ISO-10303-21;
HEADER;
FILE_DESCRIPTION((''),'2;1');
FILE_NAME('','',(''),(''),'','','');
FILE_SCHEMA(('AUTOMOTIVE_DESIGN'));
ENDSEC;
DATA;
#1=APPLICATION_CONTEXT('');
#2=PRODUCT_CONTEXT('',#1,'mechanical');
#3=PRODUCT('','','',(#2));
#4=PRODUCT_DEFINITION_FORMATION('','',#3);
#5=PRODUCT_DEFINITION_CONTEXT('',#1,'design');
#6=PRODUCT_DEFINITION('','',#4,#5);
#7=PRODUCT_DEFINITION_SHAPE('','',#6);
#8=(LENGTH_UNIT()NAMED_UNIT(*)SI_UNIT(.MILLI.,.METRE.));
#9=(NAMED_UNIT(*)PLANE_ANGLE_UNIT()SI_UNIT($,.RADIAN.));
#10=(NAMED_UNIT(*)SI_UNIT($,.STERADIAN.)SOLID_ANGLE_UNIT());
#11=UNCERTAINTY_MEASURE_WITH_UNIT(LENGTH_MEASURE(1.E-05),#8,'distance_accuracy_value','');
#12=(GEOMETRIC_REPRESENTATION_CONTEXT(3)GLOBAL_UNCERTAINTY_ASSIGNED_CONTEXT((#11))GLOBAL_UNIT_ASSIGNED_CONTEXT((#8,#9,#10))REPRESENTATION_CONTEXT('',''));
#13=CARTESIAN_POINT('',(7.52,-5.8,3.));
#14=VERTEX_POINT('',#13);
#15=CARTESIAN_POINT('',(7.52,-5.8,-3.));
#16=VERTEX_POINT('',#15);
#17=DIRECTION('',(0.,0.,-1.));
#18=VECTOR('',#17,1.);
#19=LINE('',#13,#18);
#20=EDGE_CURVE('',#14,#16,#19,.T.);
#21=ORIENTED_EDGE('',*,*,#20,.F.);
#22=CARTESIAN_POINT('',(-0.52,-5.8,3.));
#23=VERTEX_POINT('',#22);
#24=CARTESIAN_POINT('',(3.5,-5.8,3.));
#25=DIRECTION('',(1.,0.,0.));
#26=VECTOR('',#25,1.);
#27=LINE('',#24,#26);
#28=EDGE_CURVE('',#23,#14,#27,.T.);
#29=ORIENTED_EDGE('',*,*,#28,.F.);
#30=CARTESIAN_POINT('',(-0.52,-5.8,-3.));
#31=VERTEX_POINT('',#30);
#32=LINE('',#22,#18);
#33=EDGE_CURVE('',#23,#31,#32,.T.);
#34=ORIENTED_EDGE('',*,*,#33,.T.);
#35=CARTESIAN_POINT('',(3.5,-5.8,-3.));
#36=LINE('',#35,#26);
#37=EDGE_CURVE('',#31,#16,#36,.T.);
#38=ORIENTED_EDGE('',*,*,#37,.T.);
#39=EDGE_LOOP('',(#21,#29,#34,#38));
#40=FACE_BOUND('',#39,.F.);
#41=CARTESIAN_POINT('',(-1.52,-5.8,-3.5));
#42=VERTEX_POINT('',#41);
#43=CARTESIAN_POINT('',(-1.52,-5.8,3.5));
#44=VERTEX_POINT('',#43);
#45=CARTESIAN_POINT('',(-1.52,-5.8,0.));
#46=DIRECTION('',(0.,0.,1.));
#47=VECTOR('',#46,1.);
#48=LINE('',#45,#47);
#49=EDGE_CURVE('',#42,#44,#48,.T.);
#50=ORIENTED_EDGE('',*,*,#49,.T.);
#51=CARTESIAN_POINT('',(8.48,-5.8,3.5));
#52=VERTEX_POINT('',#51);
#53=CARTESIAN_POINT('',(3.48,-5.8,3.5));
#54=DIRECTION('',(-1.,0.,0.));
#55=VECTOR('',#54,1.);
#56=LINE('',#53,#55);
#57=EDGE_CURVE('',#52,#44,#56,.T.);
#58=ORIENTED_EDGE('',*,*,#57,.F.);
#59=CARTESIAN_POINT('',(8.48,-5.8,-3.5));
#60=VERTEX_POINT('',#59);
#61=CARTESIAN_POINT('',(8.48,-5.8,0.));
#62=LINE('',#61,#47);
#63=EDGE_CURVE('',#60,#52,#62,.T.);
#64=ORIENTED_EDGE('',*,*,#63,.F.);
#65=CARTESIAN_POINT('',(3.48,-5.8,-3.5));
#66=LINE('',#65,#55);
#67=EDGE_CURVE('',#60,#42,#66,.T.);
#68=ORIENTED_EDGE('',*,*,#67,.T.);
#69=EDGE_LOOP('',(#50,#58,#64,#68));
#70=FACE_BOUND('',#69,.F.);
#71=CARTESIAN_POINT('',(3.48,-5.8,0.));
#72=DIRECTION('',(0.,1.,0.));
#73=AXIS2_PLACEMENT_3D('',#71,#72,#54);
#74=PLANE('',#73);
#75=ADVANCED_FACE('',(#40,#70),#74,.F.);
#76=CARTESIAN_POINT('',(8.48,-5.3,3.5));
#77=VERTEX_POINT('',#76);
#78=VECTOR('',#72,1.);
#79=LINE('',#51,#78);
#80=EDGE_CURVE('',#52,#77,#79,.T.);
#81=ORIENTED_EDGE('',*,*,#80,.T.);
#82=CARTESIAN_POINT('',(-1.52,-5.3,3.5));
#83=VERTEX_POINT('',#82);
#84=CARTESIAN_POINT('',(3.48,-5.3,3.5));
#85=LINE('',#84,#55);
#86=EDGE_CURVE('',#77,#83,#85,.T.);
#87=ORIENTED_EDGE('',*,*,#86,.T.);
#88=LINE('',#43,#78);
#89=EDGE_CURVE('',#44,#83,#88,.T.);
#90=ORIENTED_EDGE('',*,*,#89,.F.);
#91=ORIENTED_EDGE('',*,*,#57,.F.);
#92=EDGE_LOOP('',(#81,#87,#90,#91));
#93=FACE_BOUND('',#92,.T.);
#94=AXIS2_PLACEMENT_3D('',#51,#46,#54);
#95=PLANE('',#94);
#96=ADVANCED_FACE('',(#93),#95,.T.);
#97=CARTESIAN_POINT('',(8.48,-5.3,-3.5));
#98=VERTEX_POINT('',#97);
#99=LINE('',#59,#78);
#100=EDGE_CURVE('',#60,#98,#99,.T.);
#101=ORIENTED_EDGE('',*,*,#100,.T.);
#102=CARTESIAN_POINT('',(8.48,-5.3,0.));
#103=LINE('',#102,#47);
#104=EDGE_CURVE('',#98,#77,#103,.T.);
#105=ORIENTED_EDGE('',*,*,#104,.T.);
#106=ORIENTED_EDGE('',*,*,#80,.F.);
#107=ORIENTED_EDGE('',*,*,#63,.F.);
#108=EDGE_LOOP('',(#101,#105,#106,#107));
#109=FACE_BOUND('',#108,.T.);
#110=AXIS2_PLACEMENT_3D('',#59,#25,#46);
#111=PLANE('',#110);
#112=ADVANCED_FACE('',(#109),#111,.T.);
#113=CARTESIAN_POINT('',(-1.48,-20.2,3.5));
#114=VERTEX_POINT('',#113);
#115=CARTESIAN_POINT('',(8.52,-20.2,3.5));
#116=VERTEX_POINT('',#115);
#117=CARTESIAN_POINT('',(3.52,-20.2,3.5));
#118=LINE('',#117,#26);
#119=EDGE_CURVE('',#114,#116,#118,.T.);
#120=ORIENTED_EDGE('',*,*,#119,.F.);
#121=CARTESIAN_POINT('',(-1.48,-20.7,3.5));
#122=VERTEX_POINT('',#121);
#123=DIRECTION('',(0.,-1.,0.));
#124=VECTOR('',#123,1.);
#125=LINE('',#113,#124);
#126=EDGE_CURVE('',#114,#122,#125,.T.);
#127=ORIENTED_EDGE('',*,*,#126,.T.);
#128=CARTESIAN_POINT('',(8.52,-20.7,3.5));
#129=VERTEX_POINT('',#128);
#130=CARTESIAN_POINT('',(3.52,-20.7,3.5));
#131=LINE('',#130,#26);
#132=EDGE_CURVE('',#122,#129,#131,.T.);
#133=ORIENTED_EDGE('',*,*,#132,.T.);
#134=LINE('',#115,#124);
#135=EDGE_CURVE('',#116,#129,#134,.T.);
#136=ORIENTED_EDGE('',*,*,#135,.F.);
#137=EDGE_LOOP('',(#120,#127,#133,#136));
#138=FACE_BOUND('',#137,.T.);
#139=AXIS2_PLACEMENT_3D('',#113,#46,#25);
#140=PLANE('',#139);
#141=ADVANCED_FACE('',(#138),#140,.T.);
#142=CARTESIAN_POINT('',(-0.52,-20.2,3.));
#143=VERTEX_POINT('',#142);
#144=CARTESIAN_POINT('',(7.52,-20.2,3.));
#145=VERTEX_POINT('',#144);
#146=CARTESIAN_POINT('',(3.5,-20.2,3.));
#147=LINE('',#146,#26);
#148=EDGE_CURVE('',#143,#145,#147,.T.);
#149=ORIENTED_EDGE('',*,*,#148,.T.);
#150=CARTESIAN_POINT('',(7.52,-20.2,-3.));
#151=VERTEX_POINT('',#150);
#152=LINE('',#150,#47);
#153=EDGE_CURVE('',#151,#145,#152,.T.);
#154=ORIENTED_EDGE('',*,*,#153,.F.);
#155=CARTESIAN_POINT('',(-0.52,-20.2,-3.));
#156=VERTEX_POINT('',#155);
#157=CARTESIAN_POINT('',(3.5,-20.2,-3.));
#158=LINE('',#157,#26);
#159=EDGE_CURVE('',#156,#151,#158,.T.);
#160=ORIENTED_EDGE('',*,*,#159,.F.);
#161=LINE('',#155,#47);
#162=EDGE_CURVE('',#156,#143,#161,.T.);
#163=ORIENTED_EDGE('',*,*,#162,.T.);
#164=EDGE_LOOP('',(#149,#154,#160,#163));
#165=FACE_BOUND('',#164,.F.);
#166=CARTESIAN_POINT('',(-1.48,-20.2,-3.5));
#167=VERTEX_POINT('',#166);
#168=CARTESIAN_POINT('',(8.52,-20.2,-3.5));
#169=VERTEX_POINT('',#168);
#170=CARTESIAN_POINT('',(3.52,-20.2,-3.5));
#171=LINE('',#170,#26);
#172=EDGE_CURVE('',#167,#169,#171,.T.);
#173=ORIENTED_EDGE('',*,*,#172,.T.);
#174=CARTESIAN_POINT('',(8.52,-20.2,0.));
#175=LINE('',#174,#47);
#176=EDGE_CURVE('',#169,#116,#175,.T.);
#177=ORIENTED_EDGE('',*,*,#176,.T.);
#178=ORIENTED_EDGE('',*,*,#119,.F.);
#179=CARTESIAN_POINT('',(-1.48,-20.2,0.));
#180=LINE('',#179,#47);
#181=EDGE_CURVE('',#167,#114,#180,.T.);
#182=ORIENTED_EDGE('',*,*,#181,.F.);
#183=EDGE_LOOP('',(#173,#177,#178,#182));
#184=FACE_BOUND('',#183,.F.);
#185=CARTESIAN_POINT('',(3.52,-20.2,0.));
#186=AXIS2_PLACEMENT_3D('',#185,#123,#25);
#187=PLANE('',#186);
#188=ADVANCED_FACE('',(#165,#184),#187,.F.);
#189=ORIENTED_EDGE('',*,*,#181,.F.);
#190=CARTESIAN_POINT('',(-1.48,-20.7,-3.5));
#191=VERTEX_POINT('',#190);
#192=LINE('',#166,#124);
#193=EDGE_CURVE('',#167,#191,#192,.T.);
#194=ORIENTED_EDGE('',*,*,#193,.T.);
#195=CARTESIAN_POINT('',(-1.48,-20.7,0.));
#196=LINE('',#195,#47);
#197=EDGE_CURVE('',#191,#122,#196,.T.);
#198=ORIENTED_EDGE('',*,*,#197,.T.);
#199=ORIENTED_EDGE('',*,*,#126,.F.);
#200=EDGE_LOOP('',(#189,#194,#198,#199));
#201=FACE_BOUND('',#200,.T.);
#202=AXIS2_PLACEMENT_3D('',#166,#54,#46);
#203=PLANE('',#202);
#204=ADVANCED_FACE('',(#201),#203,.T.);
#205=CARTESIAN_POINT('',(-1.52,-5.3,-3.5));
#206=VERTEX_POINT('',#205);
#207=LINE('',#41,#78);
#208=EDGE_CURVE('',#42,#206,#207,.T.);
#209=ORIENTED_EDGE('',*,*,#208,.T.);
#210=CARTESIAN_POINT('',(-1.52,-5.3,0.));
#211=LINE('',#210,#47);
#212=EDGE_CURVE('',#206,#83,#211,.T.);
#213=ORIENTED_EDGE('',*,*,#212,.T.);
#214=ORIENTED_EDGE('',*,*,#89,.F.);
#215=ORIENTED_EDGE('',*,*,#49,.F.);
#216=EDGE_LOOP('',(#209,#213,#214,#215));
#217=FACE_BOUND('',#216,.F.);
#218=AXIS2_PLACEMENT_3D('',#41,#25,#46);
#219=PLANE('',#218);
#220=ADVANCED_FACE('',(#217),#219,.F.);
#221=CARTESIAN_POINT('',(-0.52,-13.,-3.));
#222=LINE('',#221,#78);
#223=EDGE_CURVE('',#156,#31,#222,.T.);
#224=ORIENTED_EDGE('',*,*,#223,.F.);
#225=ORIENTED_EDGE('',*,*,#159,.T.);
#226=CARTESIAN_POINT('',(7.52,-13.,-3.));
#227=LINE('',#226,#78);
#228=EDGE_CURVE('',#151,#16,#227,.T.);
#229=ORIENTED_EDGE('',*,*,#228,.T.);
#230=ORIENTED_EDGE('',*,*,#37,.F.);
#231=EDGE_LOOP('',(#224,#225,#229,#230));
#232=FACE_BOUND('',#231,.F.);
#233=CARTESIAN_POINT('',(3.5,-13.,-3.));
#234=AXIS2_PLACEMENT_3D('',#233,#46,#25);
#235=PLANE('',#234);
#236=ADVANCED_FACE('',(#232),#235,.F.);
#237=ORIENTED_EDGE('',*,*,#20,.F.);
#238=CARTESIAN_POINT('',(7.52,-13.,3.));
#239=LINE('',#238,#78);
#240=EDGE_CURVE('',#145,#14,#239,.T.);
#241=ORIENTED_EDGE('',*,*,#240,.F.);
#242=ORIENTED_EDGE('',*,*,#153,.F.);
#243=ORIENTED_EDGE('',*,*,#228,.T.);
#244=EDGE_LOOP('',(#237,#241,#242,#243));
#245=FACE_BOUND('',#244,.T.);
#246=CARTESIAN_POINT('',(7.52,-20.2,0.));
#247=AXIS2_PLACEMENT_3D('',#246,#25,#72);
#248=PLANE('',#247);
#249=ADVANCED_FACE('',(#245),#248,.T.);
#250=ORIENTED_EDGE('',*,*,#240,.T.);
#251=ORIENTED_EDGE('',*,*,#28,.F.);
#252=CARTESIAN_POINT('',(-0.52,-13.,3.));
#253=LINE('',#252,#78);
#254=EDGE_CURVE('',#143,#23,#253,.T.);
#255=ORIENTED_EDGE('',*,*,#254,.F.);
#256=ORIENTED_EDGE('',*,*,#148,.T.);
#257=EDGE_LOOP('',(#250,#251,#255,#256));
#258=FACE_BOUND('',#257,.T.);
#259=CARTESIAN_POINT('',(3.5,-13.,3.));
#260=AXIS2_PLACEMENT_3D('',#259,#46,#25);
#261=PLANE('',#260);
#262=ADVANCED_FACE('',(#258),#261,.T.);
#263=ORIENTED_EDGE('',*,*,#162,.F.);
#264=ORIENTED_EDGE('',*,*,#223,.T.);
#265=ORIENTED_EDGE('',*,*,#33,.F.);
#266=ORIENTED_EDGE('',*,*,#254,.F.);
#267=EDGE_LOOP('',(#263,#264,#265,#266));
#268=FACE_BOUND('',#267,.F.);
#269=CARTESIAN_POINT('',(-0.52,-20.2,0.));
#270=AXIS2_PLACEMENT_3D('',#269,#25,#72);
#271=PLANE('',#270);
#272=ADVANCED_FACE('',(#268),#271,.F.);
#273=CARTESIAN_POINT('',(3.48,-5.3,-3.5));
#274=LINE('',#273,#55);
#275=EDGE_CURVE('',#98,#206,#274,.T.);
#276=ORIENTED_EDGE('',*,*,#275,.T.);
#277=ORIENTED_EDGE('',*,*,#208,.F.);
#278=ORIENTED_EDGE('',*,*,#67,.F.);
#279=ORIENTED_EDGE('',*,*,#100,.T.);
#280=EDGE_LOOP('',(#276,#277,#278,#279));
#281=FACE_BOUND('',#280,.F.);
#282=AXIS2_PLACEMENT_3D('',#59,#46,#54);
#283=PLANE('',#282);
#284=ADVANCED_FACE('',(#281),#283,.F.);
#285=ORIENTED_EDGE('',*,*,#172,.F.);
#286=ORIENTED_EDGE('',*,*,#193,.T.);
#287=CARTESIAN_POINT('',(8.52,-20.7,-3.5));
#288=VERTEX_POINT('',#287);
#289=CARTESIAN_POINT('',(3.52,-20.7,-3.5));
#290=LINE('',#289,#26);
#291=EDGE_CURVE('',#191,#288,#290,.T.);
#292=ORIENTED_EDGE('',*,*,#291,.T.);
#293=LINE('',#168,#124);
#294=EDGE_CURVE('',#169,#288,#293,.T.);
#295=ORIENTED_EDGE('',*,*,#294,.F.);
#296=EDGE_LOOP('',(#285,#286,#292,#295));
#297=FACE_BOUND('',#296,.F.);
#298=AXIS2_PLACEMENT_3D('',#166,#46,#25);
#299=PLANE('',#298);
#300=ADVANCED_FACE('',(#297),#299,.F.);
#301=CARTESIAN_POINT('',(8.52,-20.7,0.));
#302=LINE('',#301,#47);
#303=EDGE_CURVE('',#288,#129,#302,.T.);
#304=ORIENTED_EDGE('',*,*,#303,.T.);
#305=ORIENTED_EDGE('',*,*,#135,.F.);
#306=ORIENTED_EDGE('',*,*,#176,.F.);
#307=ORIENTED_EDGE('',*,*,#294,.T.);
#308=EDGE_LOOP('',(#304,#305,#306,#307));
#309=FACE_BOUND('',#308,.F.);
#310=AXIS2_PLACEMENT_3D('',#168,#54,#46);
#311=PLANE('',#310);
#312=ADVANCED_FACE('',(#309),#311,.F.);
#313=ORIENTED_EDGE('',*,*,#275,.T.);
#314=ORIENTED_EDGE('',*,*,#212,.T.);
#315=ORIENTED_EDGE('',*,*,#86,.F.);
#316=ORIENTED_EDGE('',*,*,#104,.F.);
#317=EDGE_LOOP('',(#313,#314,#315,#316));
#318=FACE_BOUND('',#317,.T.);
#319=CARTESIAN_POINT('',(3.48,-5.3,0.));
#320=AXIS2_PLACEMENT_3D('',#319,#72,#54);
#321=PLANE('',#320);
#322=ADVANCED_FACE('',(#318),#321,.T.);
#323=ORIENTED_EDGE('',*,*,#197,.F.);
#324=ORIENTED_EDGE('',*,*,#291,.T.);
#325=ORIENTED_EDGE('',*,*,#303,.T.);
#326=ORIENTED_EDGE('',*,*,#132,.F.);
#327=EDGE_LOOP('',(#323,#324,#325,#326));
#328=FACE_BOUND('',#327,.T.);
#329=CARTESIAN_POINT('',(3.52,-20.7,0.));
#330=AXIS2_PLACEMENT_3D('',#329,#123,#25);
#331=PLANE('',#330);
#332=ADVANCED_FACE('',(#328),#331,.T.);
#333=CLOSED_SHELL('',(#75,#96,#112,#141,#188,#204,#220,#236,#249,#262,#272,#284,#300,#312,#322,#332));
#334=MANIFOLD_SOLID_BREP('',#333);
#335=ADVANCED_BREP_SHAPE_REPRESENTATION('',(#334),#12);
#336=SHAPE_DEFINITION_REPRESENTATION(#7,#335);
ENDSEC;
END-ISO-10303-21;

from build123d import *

# Parameters (mm, degrees)
SKETCH001_W  = 8.04
SKETCH001_H  = 14.4
PAD001_DEPTH = 3
SKETCH002_W  = 10
SKETCH002_H  = 7
PAD002_DEPTH = 0.5
SKETCH003_W  = 10
SKETCH003_H  = 7
PAD003_DEPTH = 0.5


with BuildPart() as part:
    # Sketch001 → Pad001 (new body, symmetric)
    with BuildSketch(Plane.XY):
        Rectangle(SKETCH001_W, SKETCH001_H)
    extrude(amount=PAD001_DEPTH, both=True)

    # Sketch002 (on Face3 of Pad001) → Pad002 (join)
    with BuildSketch(Plane.XZ.offset(7.2)):
        with Locations((0.02, 0)):
            Rectangle(SKETCH002_W, SKETCH002_H)
    extrude(amount=PAD002_DEPTH)

    # Sketch003 (on Face11 of Pad002) → Pad003 (join)
    with BuildSketch(Plane(origin=(0, 7.2, 0), x_dir=(-1, 0, 0), z_dir=(0, 1, 0))):
        with Locations((0.02, 0)):
            Rectangle(SKETCH003_W, SKETCH003_H)
    extrude(amount=PAD003_DEPTH)


with BuildPart() as part_1:
    # Body001 placement: moved
    add(part.part.moved(Location((3.5, -13, 0))))


solid = part_1.part
